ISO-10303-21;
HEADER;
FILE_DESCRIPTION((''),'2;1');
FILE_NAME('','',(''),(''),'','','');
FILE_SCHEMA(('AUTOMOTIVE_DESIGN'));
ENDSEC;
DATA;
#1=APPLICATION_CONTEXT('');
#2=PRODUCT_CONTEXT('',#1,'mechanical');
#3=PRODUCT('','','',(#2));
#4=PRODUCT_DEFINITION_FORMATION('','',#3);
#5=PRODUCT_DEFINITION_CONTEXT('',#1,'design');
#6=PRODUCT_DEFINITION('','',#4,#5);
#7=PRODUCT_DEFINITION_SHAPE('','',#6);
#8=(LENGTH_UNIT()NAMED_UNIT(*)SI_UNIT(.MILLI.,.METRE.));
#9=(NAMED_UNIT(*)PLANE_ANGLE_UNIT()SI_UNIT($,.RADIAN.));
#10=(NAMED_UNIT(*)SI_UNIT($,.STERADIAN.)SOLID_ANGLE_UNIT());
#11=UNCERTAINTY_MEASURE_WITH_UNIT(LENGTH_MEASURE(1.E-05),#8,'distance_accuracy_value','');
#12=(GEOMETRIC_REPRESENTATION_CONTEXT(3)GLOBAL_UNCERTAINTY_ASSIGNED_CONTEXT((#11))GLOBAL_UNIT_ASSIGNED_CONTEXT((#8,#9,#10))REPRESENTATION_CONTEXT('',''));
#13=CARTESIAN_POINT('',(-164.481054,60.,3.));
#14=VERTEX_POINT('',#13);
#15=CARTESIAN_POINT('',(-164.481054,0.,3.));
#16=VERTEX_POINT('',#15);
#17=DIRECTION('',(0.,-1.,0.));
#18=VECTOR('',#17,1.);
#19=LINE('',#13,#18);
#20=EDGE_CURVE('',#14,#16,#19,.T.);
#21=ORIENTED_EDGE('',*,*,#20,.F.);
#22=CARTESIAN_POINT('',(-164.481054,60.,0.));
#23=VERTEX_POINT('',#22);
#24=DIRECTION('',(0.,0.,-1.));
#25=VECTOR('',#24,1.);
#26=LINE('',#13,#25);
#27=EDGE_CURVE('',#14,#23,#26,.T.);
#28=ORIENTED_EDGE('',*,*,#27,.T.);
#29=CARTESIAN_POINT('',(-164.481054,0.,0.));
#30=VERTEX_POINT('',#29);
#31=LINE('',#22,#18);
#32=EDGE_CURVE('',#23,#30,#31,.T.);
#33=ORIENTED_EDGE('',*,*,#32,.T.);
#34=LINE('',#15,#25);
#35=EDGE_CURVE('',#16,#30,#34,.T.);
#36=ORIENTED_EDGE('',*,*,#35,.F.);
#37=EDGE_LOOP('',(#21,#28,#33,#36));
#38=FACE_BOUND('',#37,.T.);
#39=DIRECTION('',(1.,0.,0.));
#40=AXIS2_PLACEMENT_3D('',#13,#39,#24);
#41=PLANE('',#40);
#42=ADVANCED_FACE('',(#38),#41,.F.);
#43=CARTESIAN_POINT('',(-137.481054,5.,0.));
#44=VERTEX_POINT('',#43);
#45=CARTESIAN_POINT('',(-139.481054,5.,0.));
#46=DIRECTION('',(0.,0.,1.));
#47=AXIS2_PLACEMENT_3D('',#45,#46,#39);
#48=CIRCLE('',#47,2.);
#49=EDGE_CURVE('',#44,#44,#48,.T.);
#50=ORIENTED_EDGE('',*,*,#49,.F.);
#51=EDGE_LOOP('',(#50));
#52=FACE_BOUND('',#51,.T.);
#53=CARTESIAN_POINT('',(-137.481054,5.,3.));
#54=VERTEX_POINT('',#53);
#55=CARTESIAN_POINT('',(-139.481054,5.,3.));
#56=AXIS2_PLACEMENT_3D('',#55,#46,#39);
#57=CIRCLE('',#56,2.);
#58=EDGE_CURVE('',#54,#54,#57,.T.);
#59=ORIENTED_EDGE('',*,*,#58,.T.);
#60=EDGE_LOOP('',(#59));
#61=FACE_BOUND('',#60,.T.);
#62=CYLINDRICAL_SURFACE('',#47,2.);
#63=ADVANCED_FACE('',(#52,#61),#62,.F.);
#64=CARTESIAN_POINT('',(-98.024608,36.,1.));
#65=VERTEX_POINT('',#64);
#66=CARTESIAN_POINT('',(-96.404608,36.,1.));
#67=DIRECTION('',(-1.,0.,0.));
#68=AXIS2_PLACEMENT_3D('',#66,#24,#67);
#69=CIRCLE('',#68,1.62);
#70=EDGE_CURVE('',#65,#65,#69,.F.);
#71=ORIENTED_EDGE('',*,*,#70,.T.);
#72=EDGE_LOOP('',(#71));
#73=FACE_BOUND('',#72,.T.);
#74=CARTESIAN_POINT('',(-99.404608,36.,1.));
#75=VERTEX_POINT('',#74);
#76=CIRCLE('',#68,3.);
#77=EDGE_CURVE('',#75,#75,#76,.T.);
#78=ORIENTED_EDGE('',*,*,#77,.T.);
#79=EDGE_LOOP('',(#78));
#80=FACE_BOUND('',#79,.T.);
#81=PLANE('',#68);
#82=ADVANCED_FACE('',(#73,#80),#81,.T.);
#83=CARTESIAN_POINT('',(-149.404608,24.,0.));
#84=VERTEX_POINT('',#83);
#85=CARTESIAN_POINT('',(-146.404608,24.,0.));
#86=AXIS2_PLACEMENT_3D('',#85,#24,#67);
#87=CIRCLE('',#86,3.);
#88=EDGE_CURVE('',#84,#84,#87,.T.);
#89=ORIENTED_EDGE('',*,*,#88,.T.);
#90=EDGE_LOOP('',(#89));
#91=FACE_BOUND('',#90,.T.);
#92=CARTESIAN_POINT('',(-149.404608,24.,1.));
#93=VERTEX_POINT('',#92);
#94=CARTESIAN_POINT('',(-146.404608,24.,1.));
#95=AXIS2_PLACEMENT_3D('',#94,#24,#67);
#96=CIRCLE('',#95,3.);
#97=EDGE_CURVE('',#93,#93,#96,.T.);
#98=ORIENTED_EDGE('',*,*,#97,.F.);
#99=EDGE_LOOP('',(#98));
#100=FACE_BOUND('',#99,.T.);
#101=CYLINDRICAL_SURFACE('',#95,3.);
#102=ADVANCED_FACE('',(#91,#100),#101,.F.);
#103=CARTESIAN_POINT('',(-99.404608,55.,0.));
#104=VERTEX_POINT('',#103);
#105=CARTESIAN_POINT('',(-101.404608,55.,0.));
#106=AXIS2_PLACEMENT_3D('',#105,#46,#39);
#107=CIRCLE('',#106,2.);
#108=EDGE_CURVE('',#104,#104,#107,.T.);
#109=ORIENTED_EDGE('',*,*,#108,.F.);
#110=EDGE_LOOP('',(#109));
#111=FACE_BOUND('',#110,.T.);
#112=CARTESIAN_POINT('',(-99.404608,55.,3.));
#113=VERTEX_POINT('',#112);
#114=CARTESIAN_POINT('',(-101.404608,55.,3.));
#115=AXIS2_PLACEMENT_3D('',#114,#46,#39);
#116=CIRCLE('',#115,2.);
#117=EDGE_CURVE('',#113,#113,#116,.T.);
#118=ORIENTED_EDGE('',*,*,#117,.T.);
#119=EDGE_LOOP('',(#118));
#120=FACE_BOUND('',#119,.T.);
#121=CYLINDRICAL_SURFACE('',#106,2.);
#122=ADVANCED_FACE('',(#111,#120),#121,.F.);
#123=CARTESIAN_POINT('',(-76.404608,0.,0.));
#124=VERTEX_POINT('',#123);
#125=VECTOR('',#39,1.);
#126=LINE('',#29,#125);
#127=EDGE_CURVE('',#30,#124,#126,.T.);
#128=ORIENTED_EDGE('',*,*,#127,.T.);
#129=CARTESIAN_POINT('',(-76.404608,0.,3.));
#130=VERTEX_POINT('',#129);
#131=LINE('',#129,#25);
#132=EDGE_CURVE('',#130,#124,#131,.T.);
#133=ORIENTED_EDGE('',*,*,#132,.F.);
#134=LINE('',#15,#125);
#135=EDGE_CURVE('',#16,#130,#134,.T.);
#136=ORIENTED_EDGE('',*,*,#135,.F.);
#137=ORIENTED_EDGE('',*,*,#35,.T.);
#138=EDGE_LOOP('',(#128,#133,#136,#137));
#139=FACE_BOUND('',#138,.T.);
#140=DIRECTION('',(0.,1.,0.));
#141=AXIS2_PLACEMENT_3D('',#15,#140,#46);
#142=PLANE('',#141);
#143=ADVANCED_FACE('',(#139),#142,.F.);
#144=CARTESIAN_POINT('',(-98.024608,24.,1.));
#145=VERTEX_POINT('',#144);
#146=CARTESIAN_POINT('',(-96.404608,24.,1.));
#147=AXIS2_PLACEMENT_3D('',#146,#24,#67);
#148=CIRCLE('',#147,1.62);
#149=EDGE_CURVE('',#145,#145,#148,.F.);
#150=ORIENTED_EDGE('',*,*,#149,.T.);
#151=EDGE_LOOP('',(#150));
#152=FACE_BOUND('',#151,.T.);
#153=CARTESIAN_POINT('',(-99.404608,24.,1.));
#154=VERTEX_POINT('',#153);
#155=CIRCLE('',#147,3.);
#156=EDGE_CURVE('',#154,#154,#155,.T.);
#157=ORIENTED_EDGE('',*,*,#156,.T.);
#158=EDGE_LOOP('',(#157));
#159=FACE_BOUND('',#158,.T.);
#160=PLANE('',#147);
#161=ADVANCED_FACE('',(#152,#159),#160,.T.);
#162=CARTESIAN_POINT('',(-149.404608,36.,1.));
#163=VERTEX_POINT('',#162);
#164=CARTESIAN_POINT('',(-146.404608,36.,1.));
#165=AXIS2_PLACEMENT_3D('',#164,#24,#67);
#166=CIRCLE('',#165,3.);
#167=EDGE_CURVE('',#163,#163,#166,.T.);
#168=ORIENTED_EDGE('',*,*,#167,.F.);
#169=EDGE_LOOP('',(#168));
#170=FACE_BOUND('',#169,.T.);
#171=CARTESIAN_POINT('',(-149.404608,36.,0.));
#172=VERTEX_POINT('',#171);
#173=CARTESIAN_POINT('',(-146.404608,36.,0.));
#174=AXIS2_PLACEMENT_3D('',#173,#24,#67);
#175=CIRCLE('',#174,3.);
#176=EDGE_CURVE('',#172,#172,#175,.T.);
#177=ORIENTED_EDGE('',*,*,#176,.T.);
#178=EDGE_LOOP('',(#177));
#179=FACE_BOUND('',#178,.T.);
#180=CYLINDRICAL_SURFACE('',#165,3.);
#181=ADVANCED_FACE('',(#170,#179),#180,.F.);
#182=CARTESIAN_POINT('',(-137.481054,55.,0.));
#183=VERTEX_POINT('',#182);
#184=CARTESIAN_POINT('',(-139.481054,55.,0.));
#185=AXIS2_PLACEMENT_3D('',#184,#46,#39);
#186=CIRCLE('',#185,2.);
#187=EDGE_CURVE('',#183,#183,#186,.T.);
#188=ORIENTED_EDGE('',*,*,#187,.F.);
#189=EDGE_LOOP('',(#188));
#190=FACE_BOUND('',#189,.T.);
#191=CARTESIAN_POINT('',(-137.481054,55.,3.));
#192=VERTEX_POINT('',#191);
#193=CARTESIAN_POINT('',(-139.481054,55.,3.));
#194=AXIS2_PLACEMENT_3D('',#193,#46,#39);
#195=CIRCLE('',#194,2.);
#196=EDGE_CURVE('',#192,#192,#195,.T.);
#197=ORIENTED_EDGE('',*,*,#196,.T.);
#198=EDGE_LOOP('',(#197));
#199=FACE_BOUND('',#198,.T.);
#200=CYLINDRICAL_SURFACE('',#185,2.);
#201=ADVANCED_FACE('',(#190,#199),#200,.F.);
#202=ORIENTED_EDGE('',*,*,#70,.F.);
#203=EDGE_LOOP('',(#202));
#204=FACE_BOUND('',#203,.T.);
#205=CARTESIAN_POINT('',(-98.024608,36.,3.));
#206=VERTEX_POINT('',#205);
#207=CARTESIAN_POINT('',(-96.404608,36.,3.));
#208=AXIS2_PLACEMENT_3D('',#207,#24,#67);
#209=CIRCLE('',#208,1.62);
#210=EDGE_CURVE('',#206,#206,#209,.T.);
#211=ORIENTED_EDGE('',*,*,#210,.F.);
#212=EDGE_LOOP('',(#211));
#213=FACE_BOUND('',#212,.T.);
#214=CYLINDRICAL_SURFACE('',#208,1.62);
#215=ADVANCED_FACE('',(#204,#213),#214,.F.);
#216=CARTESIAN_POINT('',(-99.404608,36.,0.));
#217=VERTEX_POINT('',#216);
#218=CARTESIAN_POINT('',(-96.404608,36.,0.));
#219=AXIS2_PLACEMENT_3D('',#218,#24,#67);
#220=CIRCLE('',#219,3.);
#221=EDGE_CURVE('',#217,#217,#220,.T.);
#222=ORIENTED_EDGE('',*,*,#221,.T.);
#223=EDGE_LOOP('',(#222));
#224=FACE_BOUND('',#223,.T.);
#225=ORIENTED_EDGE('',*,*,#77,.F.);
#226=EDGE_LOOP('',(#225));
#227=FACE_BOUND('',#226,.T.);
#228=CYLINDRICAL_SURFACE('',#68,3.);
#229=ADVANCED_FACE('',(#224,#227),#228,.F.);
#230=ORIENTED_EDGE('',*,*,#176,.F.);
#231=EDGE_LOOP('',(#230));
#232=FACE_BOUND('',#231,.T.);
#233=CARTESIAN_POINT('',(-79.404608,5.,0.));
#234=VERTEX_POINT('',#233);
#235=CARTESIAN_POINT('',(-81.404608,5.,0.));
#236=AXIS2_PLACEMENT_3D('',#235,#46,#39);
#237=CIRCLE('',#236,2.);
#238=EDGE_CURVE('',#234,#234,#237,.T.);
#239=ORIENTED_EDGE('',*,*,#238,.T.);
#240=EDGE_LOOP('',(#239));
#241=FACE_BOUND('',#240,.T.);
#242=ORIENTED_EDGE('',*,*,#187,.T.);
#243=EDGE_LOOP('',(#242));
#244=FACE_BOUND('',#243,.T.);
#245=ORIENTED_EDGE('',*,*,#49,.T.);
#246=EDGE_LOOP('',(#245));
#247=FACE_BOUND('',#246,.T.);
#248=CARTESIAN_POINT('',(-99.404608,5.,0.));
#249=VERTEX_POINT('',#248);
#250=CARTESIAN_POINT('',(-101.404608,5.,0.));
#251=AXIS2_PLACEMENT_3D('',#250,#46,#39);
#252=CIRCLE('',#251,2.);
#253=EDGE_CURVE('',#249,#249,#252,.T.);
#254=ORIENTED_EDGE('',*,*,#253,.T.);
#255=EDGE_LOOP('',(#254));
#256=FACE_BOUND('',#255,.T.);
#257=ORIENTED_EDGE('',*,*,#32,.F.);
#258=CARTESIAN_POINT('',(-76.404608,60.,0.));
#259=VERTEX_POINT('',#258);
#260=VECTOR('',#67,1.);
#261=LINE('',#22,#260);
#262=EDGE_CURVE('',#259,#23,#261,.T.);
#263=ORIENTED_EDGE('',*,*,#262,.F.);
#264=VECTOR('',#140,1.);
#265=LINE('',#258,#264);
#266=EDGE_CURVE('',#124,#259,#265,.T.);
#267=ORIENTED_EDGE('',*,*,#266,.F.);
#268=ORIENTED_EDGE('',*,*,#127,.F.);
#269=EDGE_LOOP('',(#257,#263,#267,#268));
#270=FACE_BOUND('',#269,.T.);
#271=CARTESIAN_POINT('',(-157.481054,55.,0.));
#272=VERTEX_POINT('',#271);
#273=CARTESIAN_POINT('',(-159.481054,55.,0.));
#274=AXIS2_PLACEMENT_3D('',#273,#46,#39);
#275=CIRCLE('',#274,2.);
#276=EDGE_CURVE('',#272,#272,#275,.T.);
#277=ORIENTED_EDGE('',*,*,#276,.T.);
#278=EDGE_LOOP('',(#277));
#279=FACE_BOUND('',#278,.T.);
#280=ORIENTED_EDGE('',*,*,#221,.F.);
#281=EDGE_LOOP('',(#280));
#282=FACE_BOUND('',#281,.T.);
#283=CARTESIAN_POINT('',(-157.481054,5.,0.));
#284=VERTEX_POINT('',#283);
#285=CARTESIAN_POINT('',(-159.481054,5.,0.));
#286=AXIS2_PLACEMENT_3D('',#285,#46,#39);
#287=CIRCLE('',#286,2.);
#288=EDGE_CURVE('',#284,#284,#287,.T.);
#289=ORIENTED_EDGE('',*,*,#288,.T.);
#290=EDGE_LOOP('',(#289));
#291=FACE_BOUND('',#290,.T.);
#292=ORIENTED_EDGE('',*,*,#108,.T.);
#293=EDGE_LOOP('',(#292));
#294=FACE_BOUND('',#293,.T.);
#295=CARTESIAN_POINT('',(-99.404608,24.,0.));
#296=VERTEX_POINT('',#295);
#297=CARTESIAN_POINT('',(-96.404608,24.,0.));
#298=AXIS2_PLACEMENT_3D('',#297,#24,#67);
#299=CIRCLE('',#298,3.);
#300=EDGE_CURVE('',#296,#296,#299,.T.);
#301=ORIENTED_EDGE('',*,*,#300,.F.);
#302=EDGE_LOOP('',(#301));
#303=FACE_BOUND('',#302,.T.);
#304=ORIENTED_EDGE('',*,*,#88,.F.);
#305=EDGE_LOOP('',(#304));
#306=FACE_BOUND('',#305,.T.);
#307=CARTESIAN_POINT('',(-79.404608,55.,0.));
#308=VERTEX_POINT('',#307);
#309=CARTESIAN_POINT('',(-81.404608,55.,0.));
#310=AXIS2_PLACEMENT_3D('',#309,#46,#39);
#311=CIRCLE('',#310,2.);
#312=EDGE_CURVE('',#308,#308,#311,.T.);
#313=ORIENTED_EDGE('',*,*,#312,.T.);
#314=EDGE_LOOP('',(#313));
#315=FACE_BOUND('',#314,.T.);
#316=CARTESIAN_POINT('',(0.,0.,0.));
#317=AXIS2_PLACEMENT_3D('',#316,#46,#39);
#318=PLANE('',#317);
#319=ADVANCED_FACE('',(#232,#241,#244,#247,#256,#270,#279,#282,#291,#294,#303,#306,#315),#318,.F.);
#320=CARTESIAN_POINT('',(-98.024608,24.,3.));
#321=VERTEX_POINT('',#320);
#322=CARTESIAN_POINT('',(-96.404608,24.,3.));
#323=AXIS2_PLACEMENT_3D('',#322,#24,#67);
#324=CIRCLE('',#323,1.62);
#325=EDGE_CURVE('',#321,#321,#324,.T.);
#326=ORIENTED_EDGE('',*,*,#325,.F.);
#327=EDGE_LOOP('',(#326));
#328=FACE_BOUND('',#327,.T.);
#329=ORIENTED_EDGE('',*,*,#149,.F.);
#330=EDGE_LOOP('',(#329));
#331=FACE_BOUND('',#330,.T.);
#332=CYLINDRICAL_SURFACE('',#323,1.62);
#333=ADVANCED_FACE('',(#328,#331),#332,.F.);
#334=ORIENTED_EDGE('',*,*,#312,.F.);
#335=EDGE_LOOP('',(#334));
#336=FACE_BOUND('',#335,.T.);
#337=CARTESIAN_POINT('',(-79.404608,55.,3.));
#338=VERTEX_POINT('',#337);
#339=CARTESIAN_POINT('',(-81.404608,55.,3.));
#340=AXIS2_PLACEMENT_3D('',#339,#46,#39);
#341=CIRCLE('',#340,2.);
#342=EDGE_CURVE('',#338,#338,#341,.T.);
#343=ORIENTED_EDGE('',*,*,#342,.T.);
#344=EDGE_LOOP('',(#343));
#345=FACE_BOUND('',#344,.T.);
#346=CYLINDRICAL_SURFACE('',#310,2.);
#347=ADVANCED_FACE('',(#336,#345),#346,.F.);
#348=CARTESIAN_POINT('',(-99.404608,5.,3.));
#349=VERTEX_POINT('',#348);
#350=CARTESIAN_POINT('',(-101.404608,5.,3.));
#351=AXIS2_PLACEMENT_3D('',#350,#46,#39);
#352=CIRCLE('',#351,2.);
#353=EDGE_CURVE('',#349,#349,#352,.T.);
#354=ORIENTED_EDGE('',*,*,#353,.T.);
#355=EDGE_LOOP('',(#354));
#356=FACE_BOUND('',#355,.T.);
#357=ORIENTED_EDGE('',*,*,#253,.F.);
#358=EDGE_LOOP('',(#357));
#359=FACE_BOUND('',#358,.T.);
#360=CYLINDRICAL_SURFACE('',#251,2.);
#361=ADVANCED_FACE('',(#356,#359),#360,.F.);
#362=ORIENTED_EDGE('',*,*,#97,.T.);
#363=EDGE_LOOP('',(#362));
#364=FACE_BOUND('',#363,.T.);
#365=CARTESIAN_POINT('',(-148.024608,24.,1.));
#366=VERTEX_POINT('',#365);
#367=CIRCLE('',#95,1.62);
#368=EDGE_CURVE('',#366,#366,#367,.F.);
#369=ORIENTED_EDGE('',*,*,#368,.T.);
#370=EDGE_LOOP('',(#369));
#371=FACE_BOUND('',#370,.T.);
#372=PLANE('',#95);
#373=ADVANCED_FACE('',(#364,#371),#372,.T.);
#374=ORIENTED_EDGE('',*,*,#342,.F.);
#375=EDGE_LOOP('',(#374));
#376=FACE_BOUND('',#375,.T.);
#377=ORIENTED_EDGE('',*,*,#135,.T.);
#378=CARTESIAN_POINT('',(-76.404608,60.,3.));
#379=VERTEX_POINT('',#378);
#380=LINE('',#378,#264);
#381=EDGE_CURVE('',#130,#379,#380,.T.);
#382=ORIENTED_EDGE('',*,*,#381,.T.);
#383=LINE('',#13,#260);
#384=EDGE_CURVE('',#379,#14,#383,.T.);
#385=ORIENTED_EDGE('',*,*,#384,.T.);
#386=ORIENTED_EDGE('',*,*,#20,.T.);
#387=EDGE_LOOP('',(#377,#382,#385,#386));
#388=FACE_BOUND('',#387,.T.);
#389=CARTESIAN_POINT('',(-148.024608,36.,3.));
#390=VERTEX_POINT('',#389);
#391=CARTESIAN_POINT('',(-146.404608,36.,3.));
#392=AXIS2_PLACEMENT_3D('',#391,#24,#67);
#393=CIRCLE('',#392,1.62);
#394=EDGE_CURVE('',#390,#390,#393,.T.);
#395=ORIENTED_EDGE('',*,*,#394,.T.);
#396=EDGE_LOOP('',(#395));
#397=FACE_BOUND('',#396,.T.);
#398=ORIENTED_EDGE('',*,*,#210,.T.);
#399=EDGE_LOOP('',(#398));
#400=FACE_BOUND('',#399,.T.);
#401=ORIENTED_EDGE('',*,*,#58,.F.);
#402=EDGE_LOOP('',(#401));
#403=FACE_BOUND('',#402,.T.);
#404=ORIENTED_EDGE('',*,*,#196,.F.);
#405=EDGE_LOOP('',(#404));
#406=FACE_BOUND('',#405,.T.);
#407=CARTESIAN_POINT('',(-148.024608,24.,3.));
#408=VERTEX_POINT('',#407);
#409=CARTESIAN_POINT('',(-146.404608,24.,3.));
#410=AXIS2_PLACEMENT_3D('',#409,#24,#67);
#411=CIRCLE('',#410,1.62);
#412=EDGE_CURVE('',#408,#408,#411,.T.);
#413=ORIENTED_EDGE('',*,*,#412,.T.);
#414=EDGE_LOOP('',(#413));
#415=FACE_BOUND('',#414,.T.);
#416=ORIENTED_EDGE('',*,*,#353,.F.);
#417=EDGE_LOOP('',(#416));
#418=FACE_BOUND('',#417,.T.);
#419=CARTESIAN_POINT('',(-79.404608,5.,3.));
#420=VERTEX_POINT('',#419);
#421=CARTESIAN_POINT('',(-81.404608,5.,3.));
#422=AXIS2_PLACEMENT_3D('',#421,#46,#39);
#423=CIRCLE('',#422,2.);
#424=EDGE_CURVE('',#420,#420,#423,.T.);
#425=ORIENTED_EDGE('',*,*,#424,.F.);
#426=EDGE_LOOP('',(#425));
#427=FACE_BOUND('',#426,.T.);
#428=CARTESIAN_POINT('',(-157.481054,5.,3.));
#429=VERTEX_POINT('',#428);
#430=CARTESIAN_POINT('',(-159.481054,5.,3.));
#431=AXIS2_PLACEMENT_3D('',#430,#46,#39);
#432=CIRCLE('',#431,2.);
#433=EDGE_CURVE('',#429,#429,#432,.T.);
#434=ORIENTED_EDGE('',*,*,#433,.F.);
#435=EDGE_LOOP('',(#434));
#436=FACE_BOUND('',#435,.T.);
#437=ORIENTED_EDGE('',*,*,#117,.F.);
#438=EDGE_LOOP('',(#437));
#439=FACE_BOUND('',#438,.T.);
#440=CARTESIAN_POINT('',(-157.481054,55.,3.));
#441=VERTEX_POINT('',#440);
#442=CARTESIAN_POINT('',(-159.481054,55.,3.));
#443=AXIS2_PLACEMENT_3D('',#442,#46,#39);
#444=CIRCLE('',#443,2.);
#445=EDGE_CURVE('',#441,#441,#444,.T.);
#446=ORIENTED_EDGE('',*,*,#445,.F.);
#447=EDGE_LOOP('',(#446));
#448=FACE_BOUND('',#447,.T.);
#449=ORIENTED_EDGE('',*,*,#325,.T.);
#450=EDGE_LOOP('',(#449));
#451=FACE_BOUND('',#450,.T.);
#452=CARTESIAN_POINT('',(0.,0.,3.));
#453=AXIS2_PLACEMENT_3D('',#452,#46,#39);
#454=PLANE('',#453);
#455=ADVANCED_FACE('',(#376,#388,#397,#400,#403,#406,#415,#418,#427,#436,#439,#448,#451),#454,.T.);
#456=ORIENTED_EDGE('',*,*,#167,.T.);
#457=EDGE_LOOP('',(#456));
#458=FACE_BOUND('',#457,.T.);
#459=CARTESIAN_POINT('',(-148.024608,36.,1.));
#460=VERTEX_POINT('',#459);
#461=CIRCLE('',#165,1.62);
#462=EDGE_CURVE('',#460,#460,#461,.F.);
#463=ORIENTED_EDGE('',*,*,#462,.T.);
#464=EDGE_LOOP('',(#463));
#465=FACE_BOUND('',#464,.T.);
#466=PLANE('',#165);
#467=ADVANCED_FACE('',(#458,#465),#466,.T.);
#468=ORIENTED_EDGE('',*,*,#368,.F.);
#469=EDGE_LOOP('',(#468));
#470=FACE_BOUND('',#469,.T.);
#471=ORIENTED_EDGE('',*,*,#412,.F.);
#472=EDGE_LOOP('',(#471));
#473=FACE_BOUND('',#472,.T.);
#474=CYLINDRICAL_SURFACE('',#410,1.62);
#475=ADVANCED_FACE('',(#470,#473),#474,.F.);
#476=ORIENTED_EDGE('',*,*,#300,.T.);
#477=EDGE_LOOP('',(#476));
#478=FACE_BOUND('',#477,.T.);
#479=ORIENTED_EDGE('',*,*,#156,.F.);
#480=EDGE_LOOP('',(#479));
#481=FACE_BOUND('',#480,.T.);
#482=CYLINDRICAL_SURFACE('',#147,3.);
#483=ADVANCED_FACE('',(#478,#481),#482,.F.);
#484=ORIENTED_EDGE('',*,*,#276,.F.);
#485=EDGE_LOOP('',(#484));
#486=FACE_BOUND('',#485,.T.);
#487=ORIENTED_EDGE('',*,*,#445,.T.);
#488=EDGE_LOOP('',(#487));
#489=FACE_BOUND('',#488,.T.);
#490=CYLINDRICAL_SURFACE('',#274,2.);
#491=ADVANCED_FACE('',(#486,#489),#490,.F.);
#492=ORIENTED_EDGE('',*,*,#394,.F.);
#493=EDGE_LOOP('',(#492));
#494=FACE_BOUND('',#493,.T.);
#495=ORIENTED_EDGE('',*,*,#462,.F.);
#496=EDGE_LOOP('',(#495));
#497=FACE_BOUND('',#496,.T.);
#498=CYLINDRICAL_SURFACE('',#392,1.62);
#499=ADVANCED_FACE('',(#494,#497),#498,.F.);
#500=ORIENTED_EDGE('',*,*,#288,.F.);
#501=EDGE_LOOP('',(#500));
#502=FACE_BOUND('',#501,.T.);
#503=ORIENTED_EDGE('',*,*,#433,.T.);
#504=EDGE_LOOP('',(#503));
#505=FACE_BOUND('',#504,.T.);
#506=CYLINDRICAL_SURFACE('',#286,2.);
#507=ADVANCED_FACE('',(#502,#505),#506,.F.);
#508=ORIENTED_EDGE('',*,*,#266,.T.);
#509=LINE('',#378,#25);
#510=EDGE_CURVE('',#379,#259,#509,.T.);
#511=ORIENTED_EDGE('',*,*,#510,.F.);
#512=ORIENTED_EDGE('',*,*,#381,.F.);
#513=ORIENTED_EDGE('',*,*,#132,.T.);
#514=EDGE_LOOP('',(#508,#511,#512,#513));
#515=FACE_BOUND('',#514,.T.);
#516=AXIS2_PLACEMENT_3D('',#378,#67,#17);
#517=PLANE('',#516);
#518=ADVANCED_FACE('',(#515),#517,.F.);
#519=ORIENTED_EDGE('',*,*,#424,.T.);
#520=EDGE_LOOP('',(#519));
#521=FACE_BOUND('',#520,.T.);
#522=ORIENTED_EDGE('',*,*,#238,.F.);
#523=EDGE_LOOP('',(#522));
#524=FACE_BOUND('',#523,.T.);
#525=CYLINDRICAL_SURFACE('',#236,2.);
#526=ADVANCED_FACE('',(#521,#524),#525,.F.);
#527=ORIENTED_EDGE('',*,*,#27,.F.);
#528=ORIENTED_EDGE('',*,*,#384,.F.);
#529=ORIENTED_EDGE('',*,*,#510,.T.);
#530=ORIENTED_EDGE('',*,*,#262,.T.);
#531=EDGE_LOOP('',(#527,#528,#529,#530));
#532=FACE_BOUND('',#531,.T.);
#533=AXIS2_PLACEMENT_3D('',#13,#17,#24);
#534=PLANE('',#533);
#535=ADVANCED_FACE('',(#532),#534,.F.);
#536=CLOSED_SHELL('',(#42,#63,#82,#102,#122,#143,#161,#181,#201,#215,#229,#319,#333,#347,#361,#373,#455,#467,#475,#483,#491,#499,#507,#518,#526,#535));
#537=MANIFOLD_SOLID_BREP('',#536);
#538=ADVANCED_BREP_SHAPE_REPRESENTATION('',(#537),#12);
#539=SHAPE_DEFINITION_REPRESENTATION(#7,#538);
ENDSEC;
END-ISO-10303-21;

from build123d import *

# Parameters (mm, degrees)
SKETCH_1_W          = 88.07644651
SKETCH_1_H          = 60
EXTRUDE_1_DEPTH     = 3
SKETCH_2_R          = 2
CUT_EXTRUDE_1_DEPTH = 3
SKETCH_3_R          = 1.62
CUT_EXTRUDE_2_DEPTH = 3
SKETCH_4_R          = 3
CUT_EXTRUDE_3_DEPTH = 1


with BuildPart() as part:
    # 草图1 → 凸台-拉伸1 (new body)
    with BuildSketch(Plane.XY):
        with Locations((-120.442831111, 30)):
            Rectangle(SKETCH_1_W, SKETCH_1_H)
    extrude(amount=EXTRUDE_1_DEPTH)

    # 草图2 → 切除-拉伸1 (cut)
    with BuildSketch(Plane.XY.offset(3)):
        with Locations((-159.481054366, 5)):
            Circle(SKETCH_2_R)
        with Locations((-159.481054366, 55)):
            Circle(SKETCH_2_R)
        with Locations((-139.481054366, 5)):
            Circle(SKETCH_2_R)
        with Locations((-139.481054366, 55)):
            Circle(SKETCH_2_R)
        with Locations((-81.404607856, 5)):
            Circle(SKETCH_2_R)
        with Locations((-81.404607856, 55)):
            Circle(SKETCH_2_R)
        with Locations((-101.404607856, 55)):
            Circle(SKETCH_2_R)
        with Locations((-101.404607856, 5)):
            Circle(SKETCH_2_R)
    extrude(amount=-CUT_EXTRUDE_1_DEPTH, mode=Mode.SUBTRACT)

    # 草图3 → 切除-拉伸2 (cut)
    with BuildSketch(Plane(origin=(0, 0, 0), x_dir=(-1, 0, 0), z_dir=(0, 0, -1))):
        with Locations((96.404607856, 36)):
            Circle(SKETCH_3_R)
        with Locations((96.404607856, 24)):
            Circle(SKETCH_3_R)
        with Locations((146.404607856, 36)):
            Circle(SKETCH_3_R)
        with Locations((146.404607856, 24)):
            Circle(SKETCH_3_R)
    extrude(amount=-CUT_EXTRUDE_2_DEPTH, mode=Mode.SUBTRACT)

    # 草图4 → 切除-拉伸3 (cut)
    with BuildSketch(Plane(origin=(0, 0, 0), x_dir=(-1, 0, 0), z_dir=(0, 0, -1))):
        with Locations((96.404607856, 36)):
            Circle(SKETCH_4_R)
        with Locations((96.404607856, 24)):
            Circle(SKETCH_4_R)
        with Locations((146.404607856, 36)):
            Circle(SKETCH_4_R)
        with Locations((146.404607856, 24)):
            Circle(SKETCH_4_R)
    extrude(amount=-CUT_EXTRUDE_3_DEPTH, mode=Mode.SUBTRACT)


solid = part.part
